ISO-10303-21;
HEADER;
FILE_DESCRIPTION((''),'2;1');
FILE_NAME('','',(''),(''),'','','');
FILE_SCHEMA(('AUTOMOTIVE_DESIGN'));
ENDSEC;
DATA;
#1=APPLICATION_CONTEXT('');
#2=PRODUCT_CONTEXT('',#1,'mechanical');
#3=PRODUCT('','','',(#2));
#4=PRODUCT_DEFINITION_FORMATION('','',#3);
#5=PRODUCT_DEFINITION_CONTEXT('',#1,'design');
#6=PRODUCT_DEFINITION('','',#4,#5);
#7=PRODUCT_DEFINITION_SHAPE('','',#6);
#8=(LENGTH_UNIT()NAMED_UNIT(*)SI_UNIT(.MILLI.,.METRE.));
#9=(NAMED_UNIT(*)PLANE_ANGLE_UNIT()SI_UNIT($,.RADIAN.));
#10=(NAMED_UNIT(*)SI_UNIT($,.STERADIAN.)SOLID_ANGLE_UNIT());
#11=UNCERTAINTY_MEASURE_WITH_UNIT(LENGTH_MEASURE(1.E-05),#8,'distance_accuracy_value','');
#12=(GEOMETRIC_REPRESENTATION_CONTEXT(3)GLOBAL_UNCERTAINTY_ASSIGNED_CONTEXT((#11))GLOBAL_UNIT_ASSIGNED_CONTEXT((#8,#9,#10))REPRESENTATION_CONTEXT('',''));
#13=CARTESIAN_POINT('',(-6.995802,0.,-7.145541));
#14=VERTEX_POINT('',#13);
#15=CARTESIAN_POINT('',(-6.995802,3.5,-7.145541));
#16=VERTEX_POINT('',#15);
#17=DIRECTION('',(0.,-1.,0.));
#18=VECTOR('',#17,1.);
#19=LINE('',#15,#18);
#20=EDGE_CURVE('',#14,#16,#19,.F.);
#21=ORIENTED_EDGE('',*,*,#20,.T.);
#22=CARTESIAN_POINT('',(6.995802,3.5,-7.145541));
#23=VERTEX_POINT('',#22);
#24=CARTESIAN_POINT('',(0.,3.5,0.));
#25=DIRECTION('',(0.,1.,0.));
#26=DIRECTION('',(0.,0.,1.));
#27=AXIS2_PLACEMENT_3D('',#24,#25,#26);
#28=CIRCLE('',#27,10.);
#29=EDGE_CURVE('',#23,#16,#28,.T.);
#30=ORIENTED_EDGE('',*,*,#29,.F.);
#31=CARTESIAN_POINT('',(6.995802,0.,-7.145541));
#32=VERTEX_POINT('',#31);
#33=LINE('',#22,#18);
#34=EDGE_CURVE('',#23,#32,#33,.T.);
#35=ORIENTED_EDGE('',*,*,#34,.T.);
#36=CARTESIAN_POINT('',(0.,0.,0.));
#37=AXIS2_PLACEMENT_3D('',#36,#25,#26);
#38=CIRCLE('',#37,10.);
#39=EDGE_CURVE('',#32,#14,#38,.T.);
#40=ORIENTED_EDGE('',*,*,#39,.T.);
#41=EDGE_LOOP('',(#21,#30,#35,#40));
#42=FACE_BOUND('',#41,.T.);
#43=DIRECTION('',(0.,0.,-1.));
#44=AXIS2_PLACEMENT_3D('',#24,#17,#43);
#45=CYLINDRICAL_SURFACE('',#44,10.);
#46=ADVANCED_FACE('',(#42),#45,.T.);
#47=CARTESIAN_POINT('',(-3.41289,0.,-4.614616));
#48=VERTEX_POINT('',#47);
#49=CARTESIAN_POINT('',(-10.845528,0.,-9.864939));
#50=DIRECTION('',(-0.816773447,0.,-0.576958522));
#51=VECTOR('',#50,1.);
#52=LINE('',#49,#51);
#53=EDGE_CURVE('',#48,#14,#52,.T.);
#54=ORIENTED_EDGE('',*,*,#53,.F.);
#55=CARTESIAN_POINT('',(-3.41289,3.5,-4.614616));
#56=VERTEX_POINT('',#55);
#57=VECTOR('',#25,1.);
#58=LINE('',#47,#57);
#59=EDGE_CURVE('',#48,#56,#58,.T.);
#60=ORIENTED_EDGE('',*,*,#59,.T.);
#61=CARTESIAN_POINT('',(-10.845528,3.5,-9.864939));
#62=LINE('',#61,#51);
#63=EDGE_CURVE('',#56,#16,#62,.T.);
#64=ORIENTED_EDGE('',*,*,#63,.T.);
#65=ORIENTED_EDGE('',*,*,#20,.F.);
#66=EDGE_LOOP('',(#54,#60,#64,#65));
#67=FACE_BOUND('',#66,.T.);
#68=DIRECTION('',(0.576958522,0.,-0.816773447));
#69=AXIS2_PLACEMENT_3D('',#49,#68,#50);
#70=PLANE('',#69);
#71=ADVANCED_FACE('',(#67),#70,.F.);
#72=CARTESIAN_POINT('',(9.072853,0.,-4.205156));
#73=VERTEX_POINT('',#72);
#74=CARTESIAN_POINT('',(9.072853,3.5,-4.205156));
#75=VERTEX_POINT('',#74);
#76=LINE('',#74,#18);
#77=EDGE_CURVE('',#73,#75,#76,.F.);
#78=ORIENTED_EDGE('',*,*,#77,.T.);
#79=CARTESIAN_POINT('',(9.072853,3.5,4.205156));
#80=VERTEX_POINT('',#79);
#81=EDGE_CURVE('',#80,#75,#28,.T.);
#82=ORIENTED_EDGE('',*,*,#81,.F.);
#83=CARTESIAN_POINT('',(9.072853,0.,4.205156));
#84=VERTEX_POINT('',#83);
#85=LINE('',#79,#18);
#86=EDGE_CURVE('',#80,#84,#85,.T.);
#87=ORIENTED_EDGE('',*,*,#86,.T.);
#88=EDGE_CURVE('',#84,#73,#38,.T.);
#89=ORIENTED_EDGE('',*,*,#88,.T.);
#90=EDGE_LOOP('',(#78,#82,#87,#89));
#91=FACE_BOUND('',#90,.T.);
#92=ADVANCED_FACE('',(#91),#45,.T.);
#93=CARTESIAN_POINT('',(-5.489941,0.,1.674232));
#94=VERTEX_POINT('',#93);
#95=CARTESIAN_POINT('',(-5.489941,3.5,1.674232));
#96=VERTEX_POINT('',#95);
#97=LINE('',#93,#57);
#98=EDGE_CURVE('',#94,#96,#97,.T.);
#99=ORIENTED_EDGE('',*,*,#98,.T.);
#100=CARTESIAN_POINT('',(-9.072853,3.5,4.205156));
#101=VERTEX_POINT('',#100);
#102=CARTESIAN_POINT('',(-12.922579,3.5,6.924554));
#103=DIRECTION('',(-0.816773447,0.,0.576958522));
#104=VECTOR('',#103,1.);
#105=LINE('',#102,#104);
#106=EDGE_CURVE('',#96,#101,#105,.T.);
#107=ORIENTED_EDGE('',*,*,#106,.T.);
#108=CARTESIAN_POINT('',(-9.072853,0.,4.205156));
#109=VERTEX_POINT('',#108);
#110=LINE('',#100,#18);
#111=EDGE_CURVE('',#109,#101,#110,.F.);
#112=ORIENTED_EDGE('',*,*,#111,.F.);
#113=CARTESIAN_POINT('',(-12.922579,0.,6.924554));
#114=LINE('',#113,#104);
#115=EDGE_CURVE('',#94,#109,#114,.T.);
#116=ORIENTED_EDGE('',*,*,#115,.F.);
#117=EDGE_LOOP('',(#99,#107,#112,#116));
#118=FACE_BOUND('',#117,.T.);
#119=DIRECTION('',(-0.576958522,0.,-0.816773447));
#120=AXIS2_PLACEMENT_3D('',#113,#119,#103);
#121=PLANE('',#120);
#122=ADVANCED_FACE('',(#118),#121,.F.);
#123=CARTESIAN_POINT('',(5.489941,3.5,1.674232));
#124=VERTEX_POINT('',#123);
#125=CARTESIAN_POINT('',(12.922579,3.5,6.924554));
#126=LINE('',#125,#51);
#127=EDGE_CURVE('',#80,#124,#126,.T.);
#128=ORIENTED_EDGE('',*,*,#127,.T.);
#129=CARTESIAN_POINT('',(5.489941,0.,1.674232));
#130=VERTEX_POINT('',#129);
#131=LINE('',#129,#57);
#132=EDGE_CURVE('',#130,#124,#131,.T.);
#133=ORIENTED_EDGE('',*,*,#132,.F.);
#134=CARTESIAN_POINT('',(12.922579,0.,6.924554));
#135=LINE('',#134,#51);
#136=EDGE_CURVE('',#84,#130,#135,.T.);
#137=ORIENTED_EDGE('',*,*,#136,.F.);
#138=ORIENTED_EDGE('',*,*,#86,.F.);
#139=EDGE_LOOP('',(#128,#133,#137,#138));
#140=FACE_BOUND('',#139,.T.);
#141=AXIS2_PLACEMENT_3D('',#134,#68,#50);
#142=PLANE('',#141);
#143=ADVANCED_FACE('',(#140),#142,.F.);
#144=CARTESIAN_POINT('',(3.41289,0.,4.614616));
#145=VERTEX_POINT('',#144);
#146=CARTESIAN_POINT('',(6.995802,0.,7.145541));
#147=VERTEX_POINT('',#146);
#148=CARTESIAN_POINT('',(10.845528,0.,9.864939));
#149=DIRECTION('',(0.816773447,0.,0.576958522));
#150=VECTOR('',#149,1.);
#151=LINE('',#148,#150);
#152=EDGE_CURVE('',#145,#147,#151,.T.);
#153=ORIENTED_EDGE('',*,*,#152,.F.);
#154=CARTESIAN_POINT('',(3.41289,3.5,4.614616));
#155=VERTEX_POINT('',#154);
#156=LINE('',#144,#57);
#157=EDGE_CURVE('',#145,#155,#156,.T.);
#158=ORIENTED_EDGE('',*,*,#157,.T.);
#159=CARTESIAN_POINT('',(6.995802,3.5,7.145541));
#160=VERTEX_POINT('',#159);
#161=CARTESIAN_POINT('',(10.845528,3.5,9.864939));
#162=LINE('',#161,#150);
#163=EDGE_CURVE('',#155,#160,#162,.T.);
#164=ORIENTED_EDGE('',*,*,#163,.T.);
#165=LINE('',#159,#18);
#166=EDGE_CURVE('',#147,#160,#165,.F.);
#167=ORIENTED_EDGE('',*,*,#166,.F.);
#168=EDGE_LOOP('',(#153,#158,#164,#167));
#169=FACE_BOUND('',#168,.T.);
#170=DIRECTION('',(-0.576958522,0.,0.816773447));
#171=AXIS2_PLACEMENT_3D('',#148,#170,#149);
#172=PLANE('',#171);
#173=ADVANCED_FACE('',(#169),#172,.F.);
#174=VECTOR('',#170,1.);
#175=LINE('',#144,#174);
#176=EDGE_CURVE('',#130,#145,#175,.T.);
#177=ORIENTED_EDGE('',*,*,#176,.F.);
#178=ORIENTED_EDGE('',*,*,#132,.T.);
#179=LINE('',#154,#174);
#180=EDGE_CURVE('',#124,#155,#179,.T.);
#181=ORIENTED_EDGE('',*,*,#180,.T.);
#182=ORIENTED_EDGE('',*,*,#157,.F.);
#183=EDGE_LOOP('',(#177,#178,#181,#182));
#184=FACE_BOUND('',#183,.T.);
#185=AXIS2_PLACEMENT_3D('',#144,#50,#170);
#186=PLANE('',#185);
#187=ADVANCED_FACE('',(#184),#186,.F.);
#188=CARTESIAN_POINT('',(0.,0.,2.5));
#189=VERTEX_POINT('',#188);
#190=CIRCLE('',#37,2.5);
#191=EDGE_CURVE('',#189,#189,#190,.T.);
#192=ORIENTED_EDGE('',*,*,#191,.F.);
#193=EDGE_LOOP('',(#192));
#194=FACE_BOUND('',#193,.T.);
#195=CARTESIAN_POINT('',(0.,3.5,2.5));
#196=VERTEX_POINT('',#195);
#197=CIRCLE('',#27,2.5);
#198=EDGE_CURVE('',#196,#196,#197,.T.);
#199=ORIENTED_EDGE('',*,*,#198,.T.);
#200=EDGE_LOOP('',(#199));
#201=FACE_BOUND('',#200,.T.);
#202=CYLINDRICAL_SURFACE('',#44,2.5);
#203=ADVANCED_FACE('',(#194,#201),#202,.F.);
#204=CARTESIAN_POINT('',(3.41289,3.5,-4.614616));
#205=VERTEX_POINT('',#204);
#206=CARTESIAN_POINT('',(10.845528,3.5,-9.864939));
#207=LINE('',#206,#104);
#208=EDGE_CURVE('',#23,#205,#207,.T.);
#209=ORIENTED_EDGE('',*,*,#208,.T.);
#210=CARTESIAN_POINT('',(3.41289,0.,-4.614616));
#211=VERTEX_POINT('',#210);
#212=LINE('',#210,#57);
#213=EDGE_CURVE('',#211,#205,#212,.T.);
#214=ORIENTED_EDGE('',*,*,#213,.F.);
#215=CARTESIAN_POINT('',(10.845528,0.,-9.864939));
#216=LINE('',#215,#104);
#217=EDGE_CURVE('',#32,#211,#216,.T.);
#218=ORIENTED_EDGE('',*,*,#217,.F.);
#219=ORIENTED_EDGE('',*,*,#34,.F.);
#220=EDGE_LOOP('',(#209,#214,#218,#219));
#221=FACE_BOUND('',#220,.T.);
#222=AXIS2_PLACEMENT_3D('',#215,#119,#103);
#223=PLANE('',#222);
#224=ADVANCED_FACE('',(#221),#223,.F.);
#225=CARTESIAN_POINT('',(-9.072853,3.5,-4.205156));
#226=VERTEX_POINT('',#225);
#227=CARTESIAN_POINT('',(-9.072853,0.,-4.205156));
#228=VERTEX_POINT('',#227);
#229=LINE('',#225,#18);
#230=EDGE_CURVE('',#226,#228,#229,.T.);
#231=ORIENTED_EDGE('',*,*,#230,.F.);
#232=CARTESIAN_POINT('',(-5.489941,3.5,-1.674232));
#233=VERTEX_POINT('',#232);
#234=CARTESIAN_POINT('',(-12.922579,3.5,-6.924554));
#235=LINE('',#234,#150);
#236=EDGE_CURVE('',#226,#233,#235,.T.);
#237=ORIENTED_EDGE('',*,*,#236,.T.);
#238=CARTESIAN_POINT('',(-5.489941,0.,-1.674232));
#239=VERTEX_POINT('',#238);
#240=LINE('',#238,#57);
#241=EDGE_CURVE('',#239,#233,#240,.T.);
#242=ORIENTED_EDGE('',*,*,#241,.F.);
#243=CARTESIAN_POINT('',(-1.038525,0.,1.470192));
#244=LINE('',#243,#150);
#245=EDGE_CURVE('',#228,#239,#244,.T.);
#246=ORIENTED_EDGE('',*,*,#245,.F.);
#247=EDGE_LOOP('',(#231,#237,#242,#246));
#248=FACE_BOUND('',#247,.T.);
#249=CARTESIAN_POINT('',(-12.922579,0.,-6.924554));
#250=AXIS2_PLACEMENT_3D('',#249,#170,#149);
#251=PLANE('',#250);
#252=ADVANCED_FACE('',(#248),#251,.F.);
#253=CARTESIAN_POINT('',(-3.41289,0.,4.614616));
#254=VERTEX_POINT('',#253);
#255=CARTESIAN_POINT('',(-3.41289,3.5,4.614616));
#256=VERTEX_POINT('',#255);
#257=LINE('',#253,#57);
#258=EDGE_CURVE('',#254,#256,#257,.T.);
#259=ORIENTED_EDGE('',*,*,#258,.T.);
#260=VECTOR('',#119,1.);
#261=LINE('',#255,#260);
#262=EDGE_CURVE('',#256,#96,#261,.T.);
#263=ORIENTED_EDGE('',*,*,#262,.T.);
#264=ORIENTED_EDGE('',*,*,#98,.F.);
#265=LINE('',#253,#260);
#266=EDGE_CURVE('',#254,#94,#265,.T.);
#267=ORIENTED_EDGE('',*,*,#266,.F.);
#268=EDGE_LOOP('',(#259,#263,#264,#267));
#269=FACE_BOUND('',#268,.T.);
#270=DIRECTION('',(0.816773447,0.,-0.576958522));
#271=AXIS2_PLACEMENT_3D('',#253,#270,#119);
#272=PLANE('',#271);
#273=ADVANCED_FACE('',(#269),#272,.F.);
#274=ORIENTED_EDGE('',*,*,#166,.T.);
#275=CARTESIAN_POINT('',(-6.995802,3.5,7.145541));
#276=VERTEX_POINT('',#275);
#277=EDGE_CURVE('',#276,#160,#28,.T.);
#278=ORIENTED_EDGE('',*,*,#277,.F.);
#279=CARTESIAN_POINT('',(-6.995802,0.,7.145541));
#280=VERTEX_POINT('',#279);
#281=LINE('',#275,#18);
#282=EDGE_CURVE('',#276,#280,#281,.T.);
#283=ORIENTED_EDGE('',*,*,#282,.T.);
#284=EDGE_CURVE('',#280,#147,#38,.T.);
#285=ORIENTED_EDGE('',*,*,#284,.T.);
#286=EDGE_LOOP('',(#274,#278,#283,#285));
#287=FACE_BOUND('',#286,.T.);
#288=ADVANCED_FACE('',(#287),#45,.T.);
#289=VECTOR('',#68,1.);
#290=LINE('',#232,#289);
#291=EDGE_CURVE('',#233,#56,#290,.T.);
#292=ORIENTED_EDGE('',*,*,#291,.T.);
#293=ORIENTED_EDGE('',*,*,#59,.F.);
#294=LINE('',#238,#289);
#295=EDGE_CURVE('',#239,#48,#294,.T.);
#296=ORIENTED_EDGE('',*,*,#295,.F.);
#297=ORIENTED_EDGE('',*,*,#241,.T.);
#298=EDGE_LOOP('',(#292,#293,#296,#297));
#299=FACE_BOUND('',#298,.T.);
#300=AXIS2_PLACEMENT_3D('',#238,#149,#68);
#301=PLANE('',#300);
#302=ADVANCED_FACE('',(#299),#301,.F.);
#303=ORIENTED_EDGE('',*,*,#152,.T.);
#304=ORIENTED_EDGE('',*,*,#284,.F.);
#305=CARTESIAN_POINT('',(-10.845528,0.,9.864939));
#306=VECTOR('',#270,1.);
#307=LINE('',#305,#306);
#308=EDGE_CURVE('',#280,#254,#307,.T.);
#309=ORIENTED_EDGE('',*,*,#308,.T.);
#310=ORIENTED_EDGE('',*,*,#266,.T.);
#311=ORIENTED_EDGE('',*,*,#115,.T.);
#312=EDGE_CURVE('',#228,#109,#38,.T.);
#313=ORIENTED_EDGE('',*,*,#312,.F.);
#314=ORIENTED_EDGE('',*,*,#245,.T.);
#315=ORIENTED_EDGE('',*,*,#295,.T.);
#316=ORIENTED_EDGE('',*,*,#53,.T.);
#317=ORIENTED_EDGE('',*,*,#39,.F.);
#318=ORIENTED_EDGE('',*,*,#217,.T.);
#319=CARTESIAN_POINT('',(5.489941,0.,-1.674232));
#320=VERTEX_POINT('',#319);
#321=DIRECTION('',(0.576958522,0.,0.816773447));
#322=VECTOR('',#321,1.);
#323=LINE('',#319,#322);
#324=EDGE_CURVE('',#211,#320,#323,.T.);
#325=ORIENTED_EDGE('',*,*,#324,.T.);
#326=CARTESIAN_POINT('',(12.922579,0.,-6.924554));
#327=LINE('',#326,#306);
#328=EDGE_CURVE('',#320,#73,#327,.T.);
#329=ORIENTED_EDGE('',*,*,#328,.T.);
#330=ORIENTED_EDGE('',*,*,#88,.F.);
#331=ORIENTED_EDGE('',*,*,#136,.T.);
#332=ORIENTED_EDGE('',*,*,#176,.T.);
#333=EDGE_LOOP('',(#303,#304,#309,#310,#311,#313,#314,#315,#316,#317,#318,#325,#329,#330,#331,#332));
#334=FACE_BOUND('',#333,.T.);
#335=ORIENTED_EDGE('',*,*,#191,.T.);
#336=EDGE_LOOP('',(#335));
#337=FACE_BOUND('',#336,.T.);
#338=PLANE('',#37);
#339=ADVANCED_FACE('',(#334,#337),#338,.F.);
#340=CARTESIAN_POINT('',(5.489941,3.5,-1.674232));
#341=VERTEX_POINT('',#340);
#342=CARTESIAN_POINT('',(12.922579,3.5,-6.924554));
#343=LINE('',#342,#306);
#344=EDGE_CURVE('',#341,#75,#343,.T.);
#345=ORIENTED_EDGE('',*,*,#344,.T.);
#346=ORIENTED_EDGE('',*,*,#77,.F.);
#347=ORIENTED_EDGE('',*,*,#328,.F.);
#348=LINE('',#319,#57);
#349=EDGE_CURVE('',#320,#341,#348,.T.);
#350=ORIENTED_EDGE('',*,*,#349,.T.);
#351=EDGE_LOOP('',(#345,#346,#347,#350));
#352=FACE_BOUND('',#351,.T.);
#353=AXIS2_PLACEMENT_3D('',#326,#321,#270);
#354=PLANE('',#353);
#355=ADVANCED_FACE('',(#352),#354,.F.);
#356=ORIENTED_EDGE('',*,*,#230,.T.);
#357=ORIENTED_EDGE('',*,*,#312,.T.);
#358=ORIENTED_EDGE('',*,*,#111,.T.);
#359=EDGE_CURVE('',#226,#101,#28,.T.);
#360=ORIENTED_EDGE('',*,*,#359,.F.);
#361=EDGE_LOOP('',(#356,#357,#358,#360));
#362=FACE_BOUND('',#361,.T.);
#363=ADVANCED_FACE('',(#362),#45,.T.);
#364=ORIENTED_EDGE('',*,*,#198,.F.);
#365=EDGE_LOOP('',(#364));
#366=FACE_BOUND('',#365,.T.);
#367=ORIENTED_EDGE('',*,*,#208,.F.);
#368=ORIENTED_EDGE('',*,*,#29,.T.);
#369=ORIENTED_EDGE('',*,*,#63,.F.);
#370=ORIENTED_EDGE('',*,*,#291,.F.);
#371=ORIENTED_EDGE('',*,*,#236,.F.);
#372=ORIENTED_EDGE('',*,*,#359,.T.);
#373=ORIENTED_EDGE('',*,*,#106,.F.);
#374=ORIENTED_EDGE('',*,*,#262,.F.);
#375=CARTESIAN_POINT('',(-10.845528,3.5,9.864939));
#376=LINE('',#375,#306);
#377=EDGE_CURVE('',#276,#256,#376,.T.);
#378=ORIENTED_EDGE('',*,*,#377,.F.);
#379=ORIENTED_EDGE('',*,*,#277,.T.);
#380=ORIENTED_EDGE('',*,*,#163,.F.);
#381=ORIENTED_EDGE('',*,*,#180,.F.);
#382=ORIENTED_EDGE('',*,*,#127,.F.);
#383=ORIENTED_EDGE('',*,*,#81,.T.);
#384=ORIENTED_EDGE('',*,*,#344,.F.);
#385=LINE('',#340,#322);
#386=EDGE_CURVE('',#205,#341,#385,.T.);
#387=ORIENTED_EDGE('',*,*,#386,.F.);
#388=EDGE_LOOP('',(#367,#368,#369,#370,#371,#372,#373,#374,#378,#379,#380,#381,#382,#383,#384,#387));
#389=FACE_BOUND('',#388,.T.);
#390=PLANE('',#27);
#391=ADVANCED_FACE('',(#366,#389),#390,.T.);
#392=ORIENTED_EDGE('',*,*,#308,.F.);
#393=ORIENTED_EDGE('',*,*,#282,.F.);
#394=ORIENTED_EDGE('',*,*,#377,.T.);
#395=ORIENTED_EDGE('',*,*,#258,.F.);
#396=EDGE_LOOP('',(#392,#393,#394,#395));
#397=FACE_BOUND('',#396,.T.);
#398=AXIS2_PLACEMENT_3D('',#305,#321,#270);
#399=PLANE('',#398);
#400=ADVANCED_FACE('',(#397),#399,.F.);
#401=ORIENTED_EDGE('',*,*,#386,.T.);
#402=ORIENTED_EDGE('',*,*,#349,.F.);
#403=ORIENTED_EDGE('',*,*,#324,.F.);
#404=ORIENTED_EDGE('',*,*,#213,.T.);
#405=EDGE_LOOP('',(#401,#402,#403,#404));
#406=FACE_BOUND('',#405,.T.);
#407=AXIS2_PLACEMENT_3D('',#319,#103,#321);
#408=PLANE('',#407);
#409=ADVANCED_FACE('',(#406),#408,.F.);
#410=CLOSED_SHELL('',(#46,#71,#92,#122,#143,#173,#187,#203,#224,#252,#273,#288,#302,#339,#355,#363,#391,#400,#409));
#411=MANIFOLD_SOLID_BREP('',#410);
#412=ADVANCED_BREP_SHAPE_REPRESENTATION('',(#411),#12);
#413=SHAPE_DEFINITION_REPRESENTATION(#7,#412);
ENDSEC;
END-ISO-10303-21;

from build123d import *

# Parameters (mm, degrees)
CROQUIS1_R              = 10
CROQUIS1_R_2            = 2.5
SALIENTE_EXTRUIR1_DEPTH = 3.5
CORTAR_EXTRUIR1_DEPTH   = 3.5


with BuildPart() as part:
    # Croquis1 → Saliente-Extruir1 (new body)
    with BuildSketch(Plane(origin=(0, 0, 0), x_dir=(1, 0, 0), z_dir=(0, 1, 0))):
        with Locations(Location((0, 0, 0), (0, 0, 270))):
            Circle(CROQUIS1_R)
        with Locations(Location((0, 0, 0), (0, 0, 270))):
            Circle(CROQUIS1_R_2, mode=Mode.SUBTRACT)
    extrude(amount=SALIENTE_EXTRUIR1_DEPTH)

    # Croquis3 → Cortar-Extruir1 (cut)
    with BuildSketch(Plane(origin=(0, 3.5, 0), x_dir=(1, 0, 0), z_dir=(0, 1, 0))):
        Polygon((12.922578993, 6.924554295), (5.489940626, 1.674231742), (3.412889946, 4.614616151), (10.845528312, 9.864938704), align=None)
        Polygon((-3.412889946, -4.614616151), (-5.489940626, -1.674231742), (-12.922578993, -6.924554295), (-10.845528312, -9.864938704), align=None)
        Polygon((10.845528312, -9.864938704), (3.412889946, -4.614616151), (5.489940626, -1.674231742), (12.922578993, -6.924554295), align=None)
        Polygon((-5.489940626, 1.674231742), (-3.412889946, 4.614616151), (-10.845528312, 9.864938704), (-12.922578993, 6.924554295), align=None)
    extrude(amount=-CORTAR_EXTRUIR1_DEPTH, mode=Mode.SUBTRACT)


solid = part.part
